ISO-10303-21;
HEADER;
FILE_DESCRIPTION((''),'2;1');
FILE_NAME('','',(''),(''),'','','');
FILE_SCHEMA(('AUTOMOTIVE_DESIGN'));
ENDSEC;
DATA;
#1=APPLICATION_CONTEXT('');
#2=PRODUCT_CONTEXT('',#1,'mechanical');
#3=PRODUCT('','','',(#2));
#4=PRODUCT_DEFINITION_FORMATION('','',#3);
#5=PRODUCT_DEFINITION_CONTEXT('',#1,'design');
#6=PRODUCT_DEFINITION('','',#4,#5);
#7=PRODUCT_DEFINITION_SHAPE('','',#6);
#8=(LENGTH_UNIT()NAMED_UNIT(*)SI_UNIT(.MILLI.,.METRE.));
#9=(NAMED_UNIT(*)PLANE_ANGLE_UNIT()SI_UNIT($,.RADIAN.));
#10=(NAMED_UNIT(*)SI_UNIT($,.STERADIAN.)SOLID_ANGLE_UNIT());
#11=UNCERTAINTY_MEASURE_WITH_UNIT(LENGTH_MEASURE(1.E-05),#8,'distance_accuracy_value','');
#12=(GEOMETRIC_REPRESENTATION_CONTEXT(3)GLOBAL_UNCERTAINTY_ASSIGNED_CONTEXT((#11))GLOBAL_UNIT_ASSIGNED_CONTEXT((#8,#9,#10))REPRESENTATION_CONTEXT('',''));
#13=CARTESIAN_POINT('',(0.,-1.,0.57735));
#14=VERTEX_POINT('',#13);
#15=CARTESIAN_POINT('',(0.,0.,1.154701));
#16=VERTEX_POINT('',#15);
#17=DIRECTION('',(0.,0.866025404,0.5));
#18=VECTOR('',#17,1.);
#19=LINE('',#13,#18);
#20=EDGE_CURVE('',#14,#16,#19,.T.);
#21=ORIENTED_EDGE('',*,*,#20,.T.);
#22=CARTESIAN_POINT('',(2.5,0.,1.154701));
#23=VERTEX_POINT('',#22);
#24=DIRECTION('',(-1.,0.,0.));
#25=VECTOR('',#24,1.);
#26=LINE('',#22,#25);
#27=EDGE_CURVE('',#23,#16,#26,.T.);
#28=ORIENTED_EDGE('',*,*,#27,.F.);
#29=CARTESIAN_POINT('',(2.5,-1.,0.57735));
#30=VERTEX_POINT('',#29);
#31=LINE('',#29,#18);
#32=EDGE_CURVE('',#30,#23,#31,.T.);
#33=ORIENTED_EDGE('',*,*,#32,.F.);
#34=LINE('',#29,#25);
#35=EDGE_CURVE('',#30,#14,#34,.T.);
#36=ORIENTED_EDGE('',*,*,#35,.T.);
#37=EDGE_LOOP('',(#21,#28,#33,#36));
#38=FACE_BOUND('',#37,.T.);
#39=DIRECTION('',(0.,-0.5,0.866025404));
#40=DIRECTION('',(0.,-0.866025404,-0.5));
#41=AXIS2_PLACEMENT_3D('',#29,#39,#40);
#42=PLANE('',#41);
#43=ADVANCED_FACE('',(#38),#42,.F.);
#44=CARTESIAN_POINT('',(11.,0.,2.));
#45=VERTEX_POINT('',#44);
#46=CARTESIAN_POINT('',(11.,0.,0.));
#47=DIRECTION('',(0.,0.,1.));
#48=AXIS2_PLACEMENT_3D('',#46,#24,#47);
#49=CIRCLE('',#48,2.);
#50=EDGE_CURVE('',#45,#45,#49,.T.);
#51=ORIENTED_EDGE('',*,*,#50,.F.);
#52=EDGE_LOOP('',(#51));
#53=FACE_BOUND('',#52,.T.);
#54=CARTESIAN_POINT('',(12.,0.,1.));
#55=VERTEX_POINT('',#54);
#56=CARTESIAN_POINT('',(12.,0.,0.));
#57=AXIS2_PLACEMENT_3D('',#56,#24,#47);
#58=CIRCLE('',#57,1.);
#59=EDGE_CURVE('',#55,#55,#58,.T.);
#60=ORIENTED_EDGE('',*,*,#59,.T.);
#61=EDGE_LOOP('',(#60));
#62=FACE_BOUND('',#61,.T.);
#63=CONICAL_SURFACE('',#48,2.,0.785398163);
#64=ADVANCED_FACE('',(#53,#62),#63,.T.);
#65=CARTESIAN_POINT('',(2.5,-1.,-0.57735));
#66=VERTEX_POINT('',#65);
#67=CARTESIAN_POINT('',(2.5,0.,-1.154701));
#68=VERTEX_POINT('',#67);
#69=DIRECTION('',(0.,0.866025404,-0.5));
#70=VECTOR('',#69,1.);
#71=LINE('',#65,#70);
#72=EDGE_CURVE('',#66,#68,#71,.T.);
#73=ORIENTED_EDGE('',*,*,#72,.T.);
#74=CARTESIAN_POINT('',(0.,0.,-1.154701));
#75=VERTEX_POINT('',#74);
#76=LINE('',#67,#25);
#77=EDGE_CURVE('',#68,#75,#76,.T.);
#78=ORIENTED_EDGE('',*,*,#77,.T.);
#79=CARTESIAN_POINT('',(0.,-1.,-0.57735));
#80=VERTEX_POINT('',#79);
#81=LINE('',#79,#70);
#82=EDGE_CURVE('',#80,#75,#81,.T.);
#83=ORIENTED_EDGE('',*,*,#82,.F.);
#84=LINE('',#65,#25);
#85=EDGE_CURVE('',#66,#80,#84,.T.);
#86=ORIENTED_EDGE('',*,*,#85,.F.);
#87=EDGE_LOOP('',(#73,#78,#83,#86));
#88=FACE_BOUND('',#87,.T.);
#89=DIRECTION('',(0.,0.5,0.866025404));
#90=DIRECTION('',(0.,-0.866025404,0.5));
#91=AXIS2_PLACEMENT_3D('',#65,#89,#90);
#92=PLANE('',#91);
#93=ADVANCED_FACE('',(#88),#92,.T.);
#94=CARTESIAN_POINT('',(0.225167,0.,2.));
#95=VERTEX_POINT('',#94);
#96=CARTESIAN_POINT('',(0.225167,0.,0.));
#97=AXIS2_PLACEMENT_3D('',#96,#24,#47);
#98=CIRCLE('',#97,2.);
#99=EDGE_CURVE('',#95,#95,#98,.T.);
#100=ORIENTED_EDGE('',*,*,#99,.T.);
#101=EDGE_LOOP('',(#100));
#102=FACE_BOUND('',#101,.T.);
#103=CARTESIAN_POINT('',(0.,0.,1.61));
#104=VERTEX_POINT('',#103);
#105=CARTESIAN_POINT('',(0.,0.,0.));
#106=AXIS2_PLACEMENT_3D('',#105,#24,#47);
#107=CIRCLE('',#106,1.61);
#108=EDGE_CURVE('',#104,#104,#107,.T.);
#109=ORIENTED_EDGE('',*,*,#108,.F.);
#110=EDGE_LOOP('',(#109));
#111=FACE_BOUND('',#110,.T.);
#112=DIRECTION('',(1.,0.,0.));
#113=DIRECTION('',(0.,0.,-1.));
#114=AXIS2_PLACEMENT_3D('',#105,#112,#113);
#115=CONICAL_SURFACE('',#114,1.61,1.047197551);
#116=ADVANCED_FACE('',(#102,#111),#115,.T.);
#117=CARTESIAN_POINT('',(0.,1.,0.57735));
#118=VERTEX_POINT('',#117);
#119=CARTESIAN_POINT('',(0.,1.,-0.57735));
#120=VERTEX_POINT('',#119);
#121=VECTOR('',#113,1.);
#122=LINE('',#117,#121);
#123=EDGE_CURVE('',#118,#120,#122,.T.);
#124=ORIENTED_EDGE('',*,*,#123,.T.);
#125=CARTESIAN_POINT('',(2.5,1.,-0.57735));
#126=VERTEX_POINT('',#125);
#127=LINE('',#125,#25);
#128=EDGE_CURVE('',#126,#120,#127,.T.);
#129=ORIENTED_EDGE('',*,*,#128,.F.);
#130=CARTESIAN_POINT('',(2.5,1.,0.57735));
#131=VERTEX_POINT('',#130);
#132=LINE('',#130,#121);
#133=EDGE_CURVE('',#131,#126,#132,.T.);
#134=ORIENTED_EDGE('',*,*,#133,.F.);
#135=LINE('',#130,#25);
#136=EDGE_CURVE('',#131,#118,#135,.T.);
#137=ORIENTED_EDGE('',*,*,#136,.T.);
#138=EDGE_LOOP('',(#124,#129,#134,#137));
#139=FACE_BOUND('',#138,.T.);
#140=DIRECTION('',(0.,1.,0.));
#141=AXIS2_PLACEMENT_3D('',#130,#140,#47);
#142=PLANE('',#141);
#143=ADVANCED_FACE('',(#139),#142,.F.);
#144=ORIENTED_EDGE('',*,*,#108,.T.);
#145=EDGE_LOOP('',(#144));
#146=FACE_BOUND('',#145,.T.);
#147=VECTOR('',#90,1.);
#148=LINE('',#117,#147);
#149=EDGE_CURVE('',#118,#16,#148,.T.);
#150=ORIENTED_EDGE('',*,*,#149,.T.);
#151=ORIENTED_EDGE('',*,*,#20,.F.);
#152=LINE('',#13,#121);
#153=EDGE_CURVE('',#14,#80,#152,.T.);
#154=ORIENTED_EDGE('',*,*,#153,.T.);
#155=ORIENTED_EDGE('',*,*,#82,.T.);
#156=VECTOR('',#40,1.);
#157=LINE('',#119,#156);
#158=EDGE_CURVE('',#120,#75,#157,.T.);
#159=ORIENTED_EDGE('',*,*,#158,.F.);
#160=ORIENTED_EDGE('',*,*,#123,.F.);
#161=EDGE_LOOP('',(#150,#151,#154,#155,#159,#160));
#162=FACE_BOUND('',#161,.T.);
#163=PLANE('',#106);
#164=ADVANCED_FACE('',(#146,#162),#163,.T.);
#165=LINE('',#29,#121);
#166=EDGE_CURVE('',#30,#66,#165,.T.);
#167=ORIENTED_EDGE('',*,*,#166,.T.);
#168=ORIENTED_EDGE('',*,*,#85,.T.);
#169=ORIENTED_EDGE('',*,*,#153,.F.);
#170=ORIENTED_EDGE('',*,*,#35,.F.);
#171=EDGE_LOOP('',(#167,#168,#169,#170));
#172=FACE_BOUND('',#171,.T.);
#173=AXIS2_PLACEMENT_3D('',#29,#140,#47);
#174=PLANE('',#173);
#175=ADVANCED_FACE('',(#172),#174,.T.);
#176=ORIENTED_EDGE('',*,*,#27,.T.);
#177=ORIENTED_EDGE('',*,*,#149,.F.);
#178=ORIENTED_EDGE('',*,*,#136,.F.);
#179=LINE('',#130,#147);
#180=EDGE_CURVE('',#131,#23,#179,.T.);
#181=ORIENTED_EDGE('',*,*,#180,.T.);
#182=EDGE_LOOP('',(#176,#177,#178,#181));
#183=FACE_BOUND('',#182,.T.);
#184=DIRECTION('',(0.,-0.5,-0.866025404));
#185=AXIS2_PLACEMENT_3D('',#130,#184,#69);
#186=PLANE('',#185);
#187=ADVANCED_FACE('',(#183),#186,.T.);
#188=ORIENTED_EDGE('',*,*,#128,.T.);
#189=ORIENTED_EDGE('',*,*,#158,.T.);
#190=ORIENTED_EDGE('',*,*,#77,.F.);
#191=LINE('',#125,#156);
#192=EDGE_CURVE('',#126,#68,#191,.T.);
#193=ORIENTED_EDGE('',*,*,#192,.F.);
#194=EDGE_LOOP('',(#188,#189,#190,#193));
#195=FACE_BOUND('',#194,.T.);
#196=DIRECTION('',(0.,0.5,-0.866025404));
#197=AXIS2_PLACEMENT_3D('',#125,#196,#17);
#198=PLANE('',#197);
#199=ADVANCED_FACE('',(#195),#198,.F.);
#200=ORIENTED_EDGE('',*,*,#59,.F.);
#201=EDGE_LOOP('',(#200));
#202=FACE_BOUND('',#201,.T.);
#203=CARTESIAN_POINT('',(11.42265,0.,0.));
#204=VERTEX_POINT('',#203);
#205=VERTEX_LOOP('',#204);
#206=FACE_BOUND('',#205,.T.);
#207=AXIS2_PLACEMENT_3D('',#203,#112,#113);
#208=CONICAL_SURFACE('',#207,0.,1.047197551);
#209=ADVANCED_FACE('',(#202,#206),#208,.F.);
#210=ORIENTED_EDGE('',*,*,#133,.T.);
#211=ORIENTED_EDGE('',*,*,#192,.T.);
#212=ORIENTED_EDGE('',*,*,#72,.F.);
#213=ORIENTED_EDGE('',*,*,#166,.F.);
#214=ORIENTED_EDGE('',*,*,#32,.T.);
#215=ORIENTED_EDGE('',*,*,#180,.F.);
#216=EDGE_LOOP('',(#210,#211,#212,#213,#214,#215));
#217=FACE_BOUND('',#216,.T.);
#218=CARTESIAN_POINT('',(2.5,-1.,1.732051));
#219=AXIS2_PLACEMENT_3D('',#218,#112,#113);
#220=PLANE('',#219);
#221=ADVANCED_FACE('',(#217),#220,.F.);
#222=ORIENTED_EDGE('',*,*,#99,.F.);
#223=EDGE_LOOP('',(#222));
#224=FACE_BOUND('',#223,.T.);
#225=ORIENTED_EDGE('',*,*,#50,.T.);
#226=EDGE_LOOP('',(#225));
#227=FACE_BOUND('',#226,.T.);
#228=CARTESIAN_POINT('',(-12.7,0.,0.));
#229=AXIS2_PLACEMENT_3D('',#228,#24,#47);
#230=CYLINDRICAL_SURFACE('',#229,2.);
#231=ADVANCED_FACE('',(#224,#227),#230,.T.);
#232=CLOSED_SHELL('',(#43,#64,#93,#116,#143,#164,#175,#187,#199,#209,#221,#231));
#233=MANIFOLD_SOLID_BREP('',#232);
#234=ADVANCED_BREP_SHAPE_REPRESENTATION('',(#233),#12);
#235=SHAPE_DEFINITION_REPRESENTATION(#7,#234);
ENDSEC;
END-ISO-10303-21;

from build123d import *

# Parameters (mm, degrees)
HEX_2_DEPTH = 2.5


with BuildPart() as part:
    # BodySke → BaseBody (revolve)
    with BuildSketch(Plane.XY, mode=Mode.PRIVATE) as basebody_sk:
        Polygon((0, 0), (0, 1.61), (0.225166605, 2), (11, 2), (12, 1), (11.422649731, 0), align=None)
    revolve(basebody_sk.sketch.rotate(Axis((-12.7, 0, 0), (1, 0, 0)), 90), axis=Axis((-12.7, 0, 0), (1, 0, 0)))

    # Sketch2 → Hex 2 (cut)
    with BuildSketch(Plane.ZY):
        Polygon((0.577350269, 1), (-0.577350269, 1), (-1.154700538, 0), (-0.577350269, -1), (0.577350269, -1), (1.154700538, 0), align=None)
    extrude(amount=-HEX_2_DEPTH, mode=Mode.SUBTRACT)


solid = part.part
